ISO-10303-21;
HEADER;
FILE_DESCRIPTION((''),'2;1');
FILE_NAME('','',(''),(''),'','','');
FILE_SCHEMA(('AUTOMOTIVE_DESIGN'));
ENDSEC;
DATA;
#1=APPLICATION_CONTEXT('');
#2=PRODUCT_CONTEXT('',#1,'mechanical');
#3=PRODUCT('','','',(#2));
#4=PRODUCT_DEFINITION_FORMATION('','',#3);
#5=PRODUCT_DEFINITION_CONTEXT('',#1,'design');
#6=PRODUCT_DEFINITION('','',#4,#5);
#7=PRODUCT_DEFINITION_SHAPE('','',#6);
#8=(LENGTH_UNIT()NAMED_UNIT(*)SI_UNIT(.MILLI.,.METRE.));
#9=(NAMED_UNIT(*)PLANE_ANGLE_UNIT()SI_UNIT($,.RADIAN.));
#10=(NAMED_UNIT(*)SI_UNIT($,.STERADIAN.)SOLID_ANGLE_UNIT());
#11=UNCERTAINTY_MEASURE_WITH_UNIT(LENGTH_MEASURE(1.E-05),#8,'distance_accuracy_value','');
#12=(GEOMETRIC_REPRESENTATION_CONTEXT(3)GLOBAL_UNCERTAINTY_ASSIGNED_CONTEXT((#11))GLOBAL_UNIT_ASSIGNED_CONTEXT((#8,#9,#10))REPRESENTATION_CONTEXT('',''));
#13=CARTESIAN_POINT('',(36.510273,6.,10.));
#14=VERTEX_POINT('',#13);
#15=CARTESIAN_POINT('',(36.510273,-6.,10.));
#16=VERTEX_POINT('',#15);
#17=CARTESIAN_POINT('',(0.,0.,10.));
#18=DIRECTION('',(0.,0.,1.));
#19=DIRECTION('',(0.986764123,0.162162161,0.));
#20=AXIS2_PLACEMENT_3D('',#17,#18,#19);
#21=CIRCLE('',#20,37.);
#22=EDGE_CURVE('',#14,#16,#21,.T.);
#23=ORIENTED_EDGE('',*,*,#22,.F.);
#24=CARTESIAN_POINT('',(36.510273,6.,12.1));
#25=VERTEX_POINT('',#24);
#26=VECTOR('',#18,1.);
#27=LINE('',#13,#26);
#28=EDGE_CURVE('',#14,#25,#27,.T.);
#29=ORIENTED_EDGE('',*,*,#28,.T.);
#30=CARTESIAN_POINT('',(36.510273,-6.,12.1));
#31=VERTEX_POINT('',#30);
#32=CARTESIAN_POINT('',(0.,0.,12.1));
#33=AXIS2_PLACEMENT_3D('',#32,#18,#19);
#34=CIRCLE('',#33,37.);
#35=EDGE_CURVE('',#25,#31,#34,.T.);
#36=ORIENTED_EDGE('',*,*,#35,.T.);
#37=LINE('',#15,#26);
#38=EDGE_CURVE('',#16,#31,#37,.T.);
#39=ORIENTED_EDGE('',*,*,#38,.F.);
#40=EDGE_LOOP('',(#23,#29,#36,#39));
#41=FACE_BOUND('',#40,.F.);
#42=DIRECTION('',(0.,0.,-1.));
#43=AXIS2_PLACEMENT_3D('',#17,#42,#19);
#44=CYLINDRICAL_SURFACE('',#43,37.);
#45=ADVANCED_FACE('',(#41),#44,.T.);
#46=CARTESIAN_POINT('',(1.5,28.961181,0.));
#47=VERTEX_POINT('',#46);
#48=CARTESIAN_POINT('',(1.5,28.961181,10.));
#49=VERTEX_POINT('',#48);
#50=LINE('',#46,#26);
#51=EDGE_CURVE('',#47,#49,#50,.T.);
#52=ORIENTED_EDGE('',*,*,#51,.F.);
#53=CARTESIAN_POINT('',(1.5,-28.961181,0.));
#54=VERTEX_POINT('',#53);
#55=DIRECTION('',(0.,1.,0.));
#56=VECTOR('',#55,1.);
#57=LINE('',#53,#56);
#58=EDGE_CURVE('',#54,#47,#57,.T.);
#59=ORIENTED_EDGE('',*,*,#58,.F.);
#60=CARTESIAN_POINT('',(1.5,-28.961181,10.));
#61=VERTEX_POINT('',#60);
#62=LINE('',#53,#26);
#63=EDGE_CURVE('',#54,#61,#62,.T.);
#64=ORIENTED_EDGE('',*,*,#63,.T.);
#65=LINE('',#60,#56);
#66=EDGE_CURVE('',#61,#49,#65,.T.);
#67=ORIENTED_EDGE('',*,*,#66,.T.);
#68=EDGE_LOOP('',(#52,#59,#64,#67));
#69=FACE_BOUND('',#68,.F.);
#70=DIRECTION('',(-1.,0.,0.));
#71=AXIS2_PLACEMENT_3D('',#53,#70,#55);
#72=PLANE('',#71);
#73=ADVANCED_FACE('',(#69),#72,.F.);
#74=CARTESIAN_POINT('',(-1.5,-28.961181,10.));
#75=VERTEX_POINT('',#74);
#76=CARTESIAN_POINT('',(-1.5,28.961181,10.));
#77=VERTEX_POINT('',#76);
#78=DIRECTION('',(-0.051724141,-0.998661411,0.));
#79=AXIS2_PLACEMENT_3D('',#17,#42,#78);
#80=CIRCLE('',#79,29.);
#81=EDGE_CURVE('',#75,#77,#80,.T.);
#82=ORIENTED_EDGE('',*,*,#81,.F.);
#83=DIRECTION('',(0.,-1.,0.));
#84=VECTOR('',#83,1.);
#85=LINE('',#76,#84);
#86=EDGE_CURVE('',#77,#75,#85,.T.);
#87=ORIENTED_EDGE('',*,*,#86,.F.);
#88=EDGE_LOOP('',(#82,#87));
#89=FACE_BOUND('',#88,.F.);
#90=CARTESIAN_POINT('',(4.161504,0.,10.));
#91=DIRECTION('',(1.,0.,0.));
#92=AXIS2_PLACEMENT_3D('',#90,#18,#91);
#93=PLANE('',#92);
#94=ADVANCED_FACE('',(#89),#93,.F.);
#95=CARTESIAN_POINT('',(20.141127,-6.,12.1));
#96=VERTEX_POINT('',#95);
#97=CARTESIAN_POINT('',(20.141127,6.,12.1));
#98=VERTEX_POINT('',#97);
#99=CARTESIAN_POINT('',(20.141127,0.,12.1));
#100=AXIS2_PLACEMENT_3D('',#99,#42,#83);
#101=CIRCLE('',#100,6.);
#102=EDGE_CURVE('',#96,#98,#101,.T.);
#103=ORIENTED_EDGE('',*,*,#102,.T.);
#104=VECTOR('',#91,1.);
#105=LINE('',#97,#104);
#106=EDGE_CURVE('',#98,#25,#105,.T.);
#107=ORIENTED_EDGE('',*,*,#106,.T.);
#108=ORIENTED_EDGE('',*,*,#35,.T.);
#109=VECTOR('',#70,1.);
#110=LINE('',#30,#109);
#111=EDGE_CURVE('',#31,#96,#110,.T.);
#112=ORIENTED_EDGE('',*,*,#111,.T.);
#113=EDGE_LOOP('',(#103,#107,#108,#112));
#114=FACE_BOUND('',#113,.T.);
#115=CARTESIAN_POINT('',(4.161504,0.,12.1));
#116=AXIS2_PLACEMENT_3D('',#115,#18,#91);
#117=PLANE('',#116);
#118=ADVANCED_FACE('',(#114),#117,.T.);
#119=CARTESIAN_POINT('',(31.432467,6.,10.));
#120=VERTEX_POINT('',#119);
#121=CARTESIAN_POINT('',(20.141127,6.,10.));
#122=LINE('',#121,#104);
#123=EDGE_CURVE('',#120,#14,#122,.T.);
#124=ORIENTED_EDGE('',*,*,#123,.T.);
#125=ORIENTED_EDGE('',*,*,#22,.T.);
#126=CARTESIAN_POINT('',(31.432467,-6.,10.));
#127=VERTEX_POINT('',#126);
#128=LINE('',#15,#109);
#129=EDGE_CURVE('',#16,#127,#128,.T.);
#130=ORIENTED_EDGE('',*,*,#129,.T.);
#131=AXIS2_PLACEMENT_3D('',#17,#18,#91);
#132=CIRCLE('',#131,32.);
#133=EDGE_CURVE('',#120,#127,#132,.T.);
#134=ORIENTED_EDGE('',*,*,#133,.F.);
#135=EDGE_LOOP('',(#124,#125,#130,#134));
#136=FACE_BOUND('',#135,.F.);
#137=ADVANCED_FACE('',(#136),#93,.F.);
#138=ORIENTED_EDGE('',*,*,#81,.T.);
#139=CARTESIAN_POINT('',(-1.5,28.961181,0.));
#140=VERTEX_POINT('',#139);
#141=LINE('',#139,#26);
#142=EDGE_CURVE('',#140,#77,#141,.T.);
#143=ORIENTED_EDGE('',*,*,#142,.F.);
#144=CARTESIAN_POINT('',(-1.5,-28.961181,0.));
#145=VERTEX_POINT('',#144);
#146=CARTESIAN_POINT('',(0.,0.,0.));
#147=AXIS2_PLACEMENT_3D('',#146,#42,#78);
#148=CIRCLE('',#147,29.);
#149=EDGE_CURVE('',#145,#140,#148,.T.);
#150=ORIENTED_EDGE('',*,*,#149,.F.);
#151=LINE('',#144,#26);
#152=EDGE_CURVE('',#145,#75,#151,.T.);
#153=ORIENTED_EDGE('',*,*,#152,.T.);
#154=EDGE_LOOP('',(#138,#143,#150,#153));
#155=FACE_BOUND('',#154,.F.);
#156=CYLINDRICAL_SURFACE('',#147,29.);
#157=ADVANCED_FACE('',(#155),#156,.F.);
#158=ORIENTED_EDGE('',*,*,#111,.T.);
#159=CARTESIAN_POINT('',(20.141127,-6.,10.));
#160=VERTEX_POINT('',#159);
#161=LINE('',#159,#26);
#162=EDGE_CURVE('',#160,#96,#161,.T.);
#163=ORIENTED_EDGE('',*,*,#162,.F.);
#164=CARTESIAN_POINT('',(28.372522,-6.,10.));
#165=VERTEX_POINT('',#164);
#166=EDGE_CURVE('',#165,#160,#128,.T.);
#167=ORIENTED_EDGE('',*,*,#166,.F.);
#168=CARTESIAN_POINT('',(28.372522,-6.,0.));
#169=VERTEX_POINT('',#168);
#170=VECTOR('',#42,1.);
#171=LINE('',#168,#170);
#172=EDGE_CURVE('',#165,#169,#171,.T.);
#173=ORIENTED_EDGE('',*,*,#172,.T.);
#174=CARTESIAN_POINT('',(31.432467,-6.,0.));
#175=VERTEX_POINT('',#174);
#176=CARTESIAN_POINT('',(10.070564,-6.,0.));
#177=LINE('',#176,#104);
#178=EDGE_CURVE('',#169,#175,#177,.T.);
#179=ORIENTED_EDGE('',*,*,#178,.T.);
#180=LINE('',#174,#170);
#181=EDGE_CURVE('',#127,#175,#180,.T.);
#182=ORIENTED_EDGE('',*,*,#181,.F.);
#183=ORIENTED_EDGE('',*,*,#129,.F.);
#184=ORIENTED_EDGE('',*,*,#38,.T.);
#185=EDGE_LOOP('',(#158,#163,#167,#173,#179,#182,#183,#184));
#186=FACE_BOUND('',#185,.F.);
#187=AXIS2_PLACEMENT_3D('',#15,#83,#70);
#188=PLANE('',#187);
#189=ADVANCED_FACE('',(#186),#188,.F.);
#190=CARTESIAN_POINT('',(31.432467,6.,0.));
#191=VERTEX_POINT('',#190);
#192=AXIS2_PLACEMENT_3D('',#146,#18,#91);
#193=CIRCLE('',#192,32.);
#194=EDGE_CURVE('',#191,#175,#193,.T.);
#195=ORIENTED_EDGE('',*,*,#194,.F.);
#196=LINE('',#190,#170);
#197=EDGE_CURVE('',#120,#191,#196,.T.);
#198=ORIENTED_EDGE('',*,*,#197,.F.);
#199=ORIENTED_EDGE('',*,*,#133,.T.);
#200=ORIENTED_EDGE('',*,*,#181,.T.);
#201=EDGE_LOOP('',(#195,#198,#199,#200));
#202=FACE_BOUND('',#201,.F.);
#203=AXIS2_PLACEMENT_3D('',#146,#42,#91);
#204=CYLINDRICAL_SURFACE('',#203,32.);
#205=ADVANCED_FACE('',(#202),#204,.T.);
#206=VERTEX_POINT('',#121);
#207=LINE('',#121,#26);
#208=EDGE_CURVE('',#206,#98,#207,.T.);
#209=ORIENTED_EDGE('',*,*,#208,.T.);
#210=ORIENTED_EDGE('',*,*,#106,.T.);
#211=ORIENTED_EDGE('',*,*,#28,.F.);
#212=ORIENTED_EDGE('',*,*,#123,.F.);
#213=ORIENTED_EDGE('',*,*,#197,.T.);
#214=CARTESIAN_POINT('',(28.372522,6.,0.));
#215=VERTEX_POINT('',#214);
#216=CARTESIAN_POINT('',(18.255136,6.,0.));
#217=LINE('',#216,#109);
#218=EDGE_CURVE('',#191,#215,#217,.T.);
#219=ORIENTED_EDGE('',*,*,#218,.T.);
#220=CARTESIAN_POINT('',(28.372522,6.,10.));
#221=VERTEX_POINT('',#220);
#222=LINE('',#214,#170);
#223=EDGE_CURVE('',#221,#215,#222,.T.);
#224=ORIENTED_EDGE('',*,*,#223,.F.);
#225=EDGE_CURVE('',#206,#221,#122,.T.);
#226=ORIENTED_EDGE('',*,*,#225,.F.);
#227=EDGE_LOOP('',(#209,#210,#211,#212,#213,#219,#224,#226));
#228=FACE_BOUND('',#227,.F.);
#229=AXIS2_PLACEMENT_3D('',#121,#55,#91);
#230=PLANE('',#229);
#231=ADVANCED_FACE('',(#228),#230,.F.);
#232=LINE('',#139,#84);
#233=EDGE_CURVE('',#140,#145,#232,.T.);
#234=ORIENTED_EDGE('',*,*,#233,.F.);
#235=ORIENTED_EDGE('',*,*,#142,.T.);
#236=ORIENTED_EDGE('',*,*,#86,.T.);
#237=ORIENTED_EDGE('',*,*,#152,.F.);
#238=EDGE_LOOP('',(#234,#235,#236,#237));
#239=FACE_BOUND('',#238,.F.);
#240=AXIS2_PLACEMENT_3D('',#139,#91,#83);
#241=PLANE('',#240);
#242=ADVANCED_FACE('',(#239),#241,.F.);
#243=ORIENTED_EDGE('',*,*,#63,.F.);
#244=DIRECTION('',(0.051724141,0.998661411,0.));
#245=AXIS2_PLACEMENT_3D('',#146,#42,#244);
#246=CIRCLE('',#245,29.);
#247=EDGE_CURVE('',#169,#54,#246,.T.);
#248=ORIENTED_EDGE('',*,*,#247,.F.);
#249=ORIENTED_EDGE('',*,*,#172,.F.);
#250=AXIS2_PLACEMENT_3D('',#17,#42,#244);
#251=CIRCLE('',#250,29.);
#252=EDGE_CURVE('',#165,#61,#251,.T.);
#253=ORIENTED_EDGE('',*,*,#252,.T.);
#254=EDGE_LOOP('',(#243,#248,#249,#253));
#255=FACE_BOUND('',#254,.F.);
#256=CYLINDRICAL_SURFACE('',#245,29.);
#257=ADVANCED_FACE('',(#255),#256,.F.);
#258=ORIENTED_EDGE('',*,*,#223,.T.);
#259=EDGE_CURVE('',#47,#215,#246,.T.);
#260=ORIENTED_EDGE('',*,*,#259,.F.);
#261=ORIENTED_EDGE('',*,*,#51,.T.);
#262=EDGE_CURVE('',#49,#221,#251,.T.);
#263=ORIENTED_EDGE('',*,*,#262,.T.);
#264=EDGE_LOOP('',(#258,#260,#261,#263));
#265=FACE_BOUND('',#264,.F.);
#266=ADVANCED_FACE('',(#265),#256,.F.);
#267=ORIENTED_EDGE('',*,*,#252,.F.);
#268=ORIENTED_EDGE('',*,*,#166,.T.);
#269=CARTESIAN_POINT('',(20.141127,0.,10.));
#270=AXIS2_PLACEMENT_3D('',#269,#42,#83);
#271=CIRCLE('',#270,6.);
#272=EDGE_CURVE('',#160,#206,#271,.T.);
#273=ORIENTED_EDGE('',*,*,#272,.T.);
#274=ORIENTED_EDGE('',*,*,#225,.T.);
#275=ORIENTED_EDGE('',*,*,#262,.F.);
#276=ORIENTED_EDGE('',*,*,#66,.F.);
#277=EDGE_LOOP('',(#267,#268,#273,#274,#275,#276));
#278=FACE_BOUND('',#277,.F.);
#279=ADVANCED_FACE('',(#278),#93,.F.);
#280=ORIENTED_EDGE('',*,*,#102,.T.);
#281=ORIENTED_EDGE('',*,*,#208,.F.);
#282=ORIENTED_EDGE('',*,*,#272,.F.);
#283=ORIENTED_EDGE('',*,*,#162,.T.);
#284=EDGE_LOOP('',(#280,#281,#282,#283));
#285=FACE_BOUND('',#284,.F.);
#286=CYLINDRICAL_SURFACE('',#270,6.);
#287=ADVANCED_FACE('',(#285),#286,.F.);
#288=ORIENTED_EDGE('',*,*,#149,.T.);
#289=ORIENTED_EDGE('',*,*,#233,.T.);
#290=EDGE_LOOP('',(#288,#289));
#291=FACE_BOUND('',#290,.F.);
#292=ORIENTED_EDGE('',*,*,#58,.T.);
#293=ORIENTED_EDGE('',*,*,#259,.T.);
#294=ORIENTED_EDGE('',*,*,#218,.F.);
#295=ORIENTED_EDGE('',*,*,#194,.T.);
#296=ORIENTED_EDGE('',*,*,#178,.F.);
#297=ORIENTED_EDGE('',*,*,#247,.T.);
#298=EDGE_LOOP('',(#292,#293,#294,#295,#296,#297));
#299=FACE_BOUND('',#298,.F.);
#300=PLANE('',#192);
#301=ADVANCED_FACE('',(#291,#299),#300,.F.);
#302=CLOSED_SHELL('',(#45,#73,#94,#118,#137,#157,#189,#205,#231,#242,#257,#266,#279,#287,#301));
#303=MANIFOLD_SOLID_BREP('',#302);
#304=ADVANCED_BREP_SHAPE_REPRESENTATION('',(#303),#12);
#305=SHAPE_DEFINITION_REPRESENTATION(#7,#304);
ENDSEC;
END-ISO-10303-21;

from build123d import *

# Parameters (mm, degrees)
F0_R     = 32
F1_DEPTH = 10
F3_DEPTH = 2.1
F5_DEPTH = 25


with BuildPart() as f1:
    # F0 (on Top) → F1 (new body)
    with BuildSketch(Plane.XY):
        Circle(F0_R)
        with BuildLine():
            ThreePointArc((-1.5, -28.961181), (-29, 0), (-1.5, 28.961181))
            Line((-1.5, 28.961181), (-1.5, -28.961181))
        make_face(mode=Mode.SUBTRACT)
        with BuildLine():
            ThreePointArc((1.5, 28.961181), (29, 0), (1.5, -28.961181))
            Line((1.5, -28.961181), (1.5, 28.961181))
        make_face(mode=Mode.SUBTRACT)
    extrude(amount=F1_DEPTH)

    # F2 (on face) → F3 (join)
    with BuildSketch(Plane.XY.offset(10)):
        with BuildLine():
            Line((20.141127, 6), (36.510273, 6))
            ThreePointArc((36.510273, 6), (-37, 0), (36.510273, -6))
            Line((36.510273, -6), (20.141127, -6))
            ThreePointArc((20.141127, -6), (14.141127, 0), (20.141127, 6))
        make_face()
    extrude(amount=F3_DEPTH)

    # F4 (on face) → F5 (cut)
    with BuildSketch(Plane.XY.offset(10)):
        with BuildLine():
            Line((36.510273, 6), (20.141127, 6))
            ThreePointArc((20.141127, 6), (14.141127, 0), (20.141127, -6))
            Line((20.141127, -6), (36.510273, -6))
            Line((36.510273, -6), (36.510273, 6))
        make_face()
    extrude(amount=-F5_DEPTH, mode=Mode.SUBTRACT)


solid = f1.part
